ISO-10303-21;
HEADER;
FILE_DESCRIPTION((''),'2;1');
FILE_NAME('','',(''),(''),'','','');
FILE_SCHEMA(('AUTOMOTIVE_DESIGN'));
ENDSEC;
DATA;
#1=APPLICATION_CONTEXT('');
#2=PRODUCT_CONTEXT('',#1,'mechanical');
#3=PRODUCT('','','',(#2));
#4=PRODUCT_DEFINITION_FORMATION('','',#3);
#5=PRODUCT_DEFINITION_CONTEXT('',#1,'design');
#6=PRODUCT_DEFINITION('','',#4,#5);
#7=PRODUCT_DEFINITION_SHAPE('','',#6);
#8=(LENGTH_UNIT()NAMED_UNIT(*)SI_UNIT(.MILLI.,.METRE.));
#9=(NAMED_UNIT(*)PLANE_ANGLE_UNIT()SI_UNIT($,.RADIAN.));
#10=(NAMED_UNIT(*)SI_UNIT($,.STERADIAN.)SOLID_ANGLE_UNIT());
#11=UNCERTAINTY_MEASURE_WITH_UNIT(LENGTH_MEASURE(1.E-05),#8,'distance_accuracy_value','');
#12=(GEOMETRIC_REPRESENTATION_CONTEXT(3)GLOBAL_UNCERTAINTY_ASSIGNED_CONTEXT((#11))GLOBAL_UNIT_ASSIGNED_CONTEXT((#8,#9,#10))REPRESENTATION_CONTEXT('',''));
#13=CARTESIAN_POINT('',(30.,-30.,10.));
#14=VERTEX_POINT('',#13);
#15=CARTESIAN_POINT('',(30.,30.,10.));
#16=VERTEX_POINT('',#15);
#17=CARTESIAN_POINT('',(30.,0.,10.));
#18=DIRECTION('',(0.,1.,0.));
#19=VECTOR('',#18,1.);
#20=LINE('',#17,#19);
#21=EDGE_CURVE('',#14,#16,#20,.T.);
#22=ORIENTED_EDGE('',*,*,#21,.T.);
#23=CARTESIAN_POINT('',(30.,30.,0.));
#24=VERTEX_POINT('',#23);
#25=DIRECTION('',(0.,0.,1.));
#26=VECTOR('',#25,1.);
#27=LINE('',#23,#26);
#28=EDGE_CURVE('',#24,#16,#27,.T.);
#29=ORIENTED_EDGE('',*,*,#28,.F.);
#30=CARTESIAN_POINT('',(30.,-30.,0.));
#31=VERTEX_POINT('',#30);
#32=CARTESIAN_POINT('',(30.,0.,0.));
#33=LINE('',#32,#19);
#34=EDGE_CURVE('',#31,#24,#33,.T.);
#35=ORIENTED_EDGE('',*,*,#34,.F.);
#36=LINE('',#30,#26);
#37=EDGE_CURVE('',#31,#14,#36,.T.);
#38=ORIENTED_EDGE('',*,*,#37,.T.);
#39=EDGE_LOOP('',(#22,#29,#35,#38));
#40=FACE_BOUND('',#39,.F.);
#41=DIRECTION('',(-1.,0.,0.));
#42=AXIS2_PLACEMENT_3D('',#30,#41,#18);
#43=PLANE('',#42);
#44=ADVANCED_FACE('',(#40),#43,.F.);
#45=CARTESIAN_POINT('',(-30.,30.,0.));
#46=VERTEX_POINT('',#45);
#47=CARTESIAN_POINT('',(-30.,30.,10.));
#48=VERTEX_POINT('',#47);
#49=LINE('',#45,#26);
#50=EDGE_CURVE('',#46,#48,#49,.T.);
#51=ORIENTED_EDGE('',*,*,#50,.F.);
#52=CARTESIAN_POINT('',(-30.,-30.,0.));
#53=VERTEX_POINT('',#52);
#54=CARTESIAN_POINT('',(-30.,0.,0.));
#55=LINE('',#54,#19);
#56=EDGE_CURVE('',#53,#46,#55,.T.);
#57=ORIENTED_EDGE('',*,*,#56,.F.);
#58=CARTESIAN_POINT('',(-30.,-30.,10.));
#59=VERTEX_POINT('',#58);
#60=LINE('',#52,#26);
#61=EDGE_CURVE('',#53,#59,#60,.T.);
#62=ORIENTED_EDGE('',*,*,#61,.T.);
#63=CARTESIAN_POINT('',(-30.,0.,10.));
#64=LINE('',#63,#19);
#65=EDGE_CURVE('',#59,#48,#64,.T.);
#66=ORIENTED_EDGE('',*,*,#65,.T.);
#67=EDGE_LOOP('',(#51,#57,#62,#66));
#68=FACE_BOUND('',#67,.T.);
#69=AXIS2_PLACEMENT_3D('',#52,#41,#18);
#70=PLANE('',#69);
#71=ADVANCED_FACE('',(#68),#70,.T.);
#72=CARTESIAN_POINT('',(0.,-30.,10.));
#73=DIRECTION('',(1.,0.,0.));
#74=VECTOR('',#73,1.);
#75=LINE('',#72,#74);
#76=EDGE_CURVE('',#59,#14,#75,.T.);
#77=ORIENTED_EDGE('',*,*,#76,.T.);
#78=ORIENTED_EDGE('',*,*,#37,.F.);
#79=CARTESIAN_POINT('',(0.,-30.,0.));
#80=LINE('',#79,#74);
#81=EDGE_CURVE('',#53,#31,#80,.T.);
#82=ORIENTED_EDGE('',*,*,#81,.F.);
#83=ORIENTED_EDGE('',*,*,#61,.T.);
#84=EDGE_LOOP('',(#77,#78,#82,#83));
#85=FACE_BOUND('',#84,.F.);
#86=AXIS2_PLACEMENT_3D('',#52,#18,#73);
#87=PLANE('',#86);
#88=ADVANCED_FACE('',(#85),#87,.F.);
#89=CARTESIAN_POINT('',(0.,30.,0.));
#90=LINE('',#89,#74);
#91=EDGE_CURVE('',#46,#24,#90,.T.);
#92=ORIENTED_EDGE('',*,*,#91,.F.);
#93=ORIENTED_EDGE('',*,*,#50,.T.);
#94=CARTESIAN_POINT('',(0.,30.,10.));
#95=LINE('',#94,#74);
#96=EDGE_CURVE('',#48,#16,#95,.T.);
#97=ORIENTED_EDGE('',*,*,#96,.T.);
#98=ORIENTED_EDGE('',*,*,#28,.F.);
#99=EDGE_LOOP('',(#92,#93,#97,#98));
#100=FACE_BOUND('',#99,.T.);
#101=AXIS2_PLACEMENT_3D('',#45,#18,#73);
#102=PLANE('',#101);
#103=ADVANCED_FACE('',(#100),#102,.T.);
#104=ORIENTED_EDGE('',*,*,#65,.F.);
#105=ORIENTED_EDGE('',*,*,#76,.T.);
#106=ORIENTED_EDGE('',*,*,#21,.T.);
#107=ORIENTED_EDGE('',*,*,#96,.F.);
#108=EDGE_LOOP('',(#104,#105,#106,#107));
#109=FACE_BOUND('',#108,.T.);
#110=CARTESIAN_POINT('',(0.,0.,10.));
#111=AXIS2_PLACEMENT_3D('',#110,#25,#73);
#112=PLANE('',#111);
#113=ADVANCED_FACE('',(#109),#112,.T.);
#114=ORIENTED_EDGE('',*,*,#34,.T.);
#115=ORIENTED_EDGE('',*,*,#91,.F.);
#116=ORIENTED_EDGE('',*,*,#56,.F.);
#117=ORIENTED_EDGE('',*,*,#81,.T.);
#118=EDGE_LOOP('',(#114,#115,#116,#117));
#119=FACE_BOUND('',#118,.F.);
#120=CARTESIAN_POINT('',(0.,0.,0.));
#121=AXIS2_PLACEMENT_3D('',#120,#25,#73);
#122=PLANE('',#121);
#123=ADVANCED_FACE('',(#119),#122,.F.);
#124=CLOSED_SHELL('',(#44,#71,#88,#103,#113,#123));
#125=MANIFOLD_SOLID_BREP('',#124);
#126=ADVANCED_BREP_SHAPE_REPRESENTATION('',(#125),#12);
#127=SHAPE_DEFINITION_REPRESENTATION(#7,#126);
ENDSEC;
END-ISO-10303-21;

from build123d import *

# Parameters (mm, degrees)
CROQUIS1_W              = 60
CROQUIS1_H              = 60
SALIENTE_EXTRUIR1_DEPTH = 10


with BuildPart() as part:
    # Croquis1 → Saliente-Extruir1 (new body)
    with BuildSketch(Plane.XY):
        Rectangle(CROQUIS1_W, CROQUIS1_H)
    extrude(amount=SALIENTE_EXTRUIR1_DEPTH)


solid = part.part
